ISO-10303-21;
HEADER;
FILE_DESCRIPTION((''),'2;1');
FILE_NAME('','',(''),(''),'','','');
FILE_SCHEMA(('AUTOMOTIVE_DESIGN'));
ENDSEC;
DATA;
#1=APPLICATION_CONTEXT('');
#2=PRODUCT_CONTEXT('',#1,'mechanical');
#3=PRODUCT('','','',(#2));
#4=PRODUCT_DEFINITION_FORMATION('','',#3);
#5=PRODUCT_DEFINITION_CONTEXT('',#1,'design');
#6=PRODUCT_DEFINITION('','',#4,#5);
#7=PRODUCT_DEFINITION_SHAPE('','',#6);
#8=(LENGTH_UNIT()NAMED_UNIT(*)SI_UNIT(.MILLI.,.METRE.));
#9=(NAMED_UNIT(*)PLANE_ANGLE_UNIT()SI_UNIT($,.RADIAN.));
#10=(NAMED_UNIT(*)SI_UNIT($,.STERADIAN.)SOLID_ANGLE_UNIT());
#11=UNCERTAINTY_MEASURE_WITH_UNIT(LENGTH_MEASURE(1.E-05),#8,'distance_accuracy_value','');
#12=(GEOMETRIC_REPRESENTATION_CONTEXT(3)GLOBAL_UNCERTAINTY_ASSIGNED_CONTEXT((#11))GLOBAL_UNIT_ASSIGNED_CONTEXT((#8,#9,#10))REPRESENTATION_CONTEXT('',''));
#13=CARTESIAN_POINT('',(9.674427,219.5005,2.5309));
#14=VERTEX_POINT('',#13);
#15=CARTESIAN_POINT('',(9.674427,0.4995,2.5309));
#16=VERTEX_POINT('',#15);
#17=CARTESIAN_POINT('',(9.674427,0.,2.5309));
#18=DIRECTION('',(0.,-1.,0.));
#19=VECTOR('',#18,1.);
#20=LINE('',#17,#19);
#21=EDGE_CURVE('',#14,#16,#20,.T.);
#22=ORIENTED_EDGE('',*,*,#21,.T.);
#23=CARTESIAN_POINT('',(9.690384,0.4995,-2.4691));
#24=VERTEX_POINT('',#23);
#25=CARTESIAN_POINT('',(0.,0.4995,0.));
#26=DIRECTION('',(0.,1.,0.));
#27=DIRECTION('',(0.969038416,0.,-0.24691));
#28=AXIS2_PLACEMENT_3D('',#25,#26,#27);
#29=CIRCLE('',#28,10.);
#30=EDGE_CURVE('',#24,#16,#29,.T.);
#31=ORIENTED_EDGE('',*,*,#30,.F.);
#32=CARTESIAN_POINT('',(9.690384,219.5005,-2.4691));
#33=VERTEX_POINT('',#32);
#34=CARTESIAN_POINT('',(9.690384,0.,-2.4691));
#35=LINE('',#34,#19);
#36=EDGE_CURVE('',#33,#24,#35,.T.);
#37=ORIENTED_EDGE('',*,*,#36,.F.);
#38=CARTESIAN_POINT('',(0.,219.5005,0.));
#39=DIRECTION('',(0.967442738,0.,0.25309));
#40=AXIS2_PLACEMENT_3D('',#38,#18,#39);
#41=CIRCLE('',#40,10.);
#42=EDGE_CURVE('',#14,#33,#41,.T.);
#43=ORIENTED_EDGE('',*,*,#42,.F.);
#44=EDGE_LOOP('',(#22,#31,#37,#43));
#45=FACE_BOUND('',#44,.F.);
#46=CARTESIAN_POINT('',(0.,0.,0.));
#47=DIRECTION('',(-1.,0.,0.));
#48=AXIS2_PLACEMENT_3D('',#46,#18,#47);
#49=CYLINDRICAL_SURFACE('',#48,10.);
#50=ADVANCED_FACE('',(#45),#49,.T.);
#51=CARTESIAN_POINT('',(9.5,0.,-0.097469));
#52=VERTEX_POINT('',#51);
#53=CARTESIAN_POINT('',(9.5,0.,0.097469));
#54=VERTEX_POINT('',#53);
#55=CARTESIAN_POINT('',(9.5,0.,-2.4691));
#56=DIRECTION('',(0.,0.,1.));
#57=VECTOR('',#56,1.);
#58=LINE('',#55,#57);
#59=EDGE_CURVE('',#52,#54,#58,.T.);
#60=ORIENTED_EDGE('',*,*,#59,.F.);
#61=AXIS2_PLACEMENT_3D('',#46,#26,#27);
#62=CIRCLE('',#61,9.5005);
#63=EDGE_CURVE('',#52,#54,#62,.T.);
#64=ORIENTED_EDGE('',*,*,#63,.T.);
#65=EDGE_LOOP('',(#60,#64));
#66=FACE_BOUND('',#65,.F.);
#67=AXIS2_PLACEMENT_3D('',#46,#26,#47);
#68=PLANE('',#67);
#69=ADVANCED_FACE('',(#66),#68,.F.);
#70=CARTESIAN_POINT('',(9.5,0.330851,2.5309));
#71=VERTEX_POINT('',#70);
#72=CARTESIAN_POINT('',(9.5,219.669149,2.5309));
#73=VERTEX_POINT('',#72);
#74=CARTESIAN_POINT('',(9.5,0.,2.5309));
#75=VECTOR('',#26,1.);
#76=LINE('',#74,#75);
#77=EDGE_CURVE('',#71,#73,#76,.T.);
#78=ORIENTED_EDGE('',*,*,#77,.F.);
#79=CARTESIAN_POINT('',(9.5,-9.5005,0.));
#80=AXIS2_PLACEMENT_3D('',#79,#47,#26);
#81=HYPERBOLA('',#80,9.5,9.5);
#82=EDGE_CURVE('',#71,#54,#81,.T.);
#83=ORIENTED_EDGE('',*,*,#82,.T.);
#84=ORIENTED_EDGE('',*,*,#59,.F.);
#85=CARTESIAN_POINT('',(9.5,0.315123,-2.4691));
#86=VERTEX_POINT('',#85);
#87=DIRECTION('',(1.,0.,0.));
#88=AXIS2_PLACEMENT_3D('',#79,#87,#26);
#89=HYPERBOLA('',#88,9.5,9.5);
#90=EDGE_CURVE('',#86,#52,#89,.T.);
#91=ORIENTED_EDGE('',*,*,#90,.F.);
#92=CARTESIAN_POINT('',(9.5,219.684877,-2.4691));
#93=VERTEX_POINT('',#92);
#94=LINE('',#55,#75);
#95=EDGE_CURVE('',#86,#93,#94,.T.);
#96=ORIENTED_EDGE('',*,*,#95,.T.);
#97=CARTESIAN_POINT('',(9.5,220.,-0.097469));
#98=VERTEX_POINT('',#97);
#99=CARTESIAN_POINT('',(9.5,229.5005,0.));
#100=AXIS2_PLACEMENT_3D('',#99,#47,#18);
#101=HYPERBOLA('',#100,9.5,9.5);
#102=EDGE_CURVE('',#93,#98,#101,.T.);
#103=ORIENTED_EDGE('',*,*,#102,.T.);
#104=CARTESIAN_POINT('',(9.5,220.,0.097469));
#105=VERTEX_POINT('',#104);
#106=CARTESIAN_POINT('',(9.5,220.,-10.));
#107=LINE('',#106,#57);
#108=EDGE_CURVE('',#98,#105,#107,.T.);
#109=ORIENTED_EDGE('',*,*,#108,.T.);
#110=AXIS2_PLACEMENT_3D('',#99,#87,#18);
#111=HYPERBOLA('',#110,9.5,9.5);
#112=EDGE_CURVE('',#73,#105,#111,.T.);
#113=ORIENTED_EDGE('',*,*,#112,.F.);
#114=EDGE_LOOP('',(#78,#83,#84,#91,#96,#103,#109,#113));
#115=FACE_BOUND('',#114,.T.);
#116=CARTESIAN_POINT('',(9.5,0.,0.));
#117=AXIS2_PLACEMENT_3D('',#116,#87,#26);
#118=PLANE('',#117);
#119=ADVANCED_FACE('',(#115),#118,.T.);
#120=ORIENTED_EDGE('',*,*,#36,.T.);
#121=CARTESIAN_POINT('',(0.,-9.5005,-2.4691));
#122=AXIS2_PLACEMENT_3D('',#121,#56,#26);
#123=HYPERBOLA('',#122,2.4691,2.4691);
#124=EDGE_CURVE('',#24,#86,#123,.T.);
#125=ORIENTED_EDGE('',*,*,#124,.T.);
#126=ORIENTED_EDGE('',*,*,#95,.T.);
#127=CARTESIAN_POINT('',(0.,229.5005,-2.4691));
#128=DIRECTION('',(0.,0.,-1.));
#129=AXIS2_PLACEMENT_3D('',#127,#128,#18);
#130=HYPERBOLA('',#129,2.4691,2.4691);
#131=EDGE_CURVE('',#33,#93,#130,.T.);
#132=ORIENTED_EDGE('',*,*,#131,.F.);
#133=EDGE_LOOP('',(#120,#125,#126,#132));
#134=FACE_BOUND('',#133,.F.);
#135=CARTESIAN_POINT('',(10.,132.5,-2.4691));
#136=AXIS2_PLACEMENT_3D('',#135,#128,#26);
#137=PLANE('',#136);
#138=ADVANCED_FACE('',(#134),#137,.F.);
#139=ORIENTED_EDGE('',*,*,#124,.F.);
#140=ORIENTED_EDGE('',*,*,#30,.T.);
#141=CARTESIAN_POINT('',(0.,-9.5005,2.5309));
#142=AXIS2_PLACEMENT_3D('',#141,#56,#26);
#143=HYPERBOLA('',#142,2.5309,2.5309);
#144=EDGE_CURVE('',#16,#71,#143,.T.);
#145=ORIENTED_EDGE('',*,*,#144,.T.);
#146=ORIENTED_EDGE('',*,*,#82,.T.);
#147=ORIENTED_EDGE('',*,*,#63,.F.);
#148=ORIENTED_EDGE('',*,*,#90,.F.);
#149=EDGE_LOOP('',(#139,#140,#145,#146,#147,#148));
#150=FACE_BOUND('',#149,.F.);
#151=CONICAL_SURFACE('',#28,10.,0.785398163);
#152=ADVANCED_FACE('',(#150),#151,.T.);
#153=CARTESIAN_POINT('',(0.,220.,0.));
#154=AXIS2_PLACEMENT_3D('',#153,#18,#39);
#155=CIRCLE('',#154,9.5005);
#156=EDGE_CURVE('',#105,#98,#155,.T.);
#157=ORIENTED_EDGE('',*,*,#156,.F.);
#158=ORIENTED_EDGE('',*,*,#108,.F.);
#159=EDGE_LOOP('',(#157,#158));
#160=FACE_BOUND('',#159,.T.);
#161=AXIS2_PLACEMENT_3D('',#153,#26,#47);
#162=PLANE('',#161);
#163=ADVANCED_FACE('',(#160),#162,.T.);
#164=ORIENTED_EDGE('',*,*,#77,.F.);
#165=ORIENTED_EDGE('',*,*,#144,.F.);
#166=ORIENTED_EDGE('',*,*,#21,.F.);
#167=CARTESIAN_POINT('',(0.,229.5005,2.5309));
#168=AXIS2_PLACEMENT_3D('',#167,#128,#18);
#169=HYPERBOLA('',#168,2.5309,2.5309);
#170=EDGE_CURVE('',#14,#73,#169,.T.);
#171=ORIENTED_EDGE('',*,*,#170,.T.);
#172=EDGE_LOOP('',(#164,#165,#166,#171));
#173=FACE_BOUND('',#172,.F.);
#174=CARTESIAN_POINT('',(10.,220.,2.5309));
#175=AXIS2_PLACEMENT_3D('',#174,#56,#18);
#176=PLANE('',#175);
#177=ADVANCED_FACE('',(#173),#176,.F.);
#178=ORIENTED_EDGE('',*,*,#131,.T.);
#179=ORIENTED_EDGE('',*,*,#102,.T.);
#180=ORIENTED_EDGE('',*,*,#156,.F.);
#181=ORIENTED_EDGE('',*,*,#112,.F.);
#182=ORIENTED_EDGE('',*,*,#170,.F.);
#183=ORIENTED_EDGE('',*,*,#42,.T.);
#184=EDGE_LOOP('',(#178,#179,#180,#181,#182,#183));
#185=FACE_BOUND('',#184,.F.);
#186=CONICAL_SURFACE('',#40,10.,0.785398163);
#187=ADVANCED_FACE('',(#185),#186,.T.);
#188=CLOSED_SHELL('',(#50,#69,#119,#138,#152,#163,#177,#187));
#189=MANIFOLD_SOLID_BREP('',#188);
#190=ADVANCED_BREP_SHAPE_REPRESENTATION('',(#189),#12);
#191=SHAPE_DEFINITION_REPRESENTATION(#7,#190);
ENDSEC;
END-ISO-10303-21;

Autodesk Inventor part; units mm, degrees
ref_plane "XZ Plane" through (0, 0, 0) normal (0, 1, 0) x (-1, 0, 0)
ref_plane "XY Plane" through (0, 0, 0) normal (0, 0, 1) x (1, 0, 0)
sketch "Sketch1" plane through (0, 0, 0) normal (0, 1, 0) x (-1, 0, 0)
  circle A0 centre (0, 0) radius 10
  dimension "d0" = 20
extrude "Extrusion1" add sketch "Sketch1" along normal blind 220
ref_plane "Work Plane1" through (10, 0, 0) normal (1, 0, 0) x (0, 1, 0)
sketch "Sketch2" plane through (10, 0, 0) normal (1, 0, 0) x (0, 1, 0)
  line L0 (220, -10) -> (220, 10) projected
  line L1 (0, -10) -> (0, 10) projected
  line L2 (0, 0) -> (132.5, 0)
  circle A0 centre (132.5, 0) radius 1.25
  circle A1 centre (132.5, 0) radius 0.5
  circle A2 centre (132.5, 0.0309) radius 2.5
  line L3 (0, -10) -> (0, 10) projected
  line L4 (132.5, -2.4691) -> (0, -2.4691)
  line L5 (0, -2.4691) -> (0, 2.5309)
  line L6 (0, 2.5309) -> (132.5, 2.5309)
  line L7 (132.5, 2.5309) -> (132.5, -2.4691)
  line L8 (220, -10) -> (220, 10) projected
  line L9 (132.5, -2.4691) -> (220, -2.4691)
  line L10 (220, -2.4691) -> (220, 2.5309)
  line L11 (220, 2.5309) -> (132.5, 2.5309)
  line L12 (132.5, 2.5309) -> (132.5, -2.4691)
  dimension "d21" = 5
  dimension "d3" = 132.5
  dimension "d4" = 2.5
  dimension "d5" = 1
extrude "Extrusion2" cut sketch "Sketch2" against normal blind 0.5
sketch "Sketch3" plane through (9.5, 0, 0) normal (1, 0, 0) x (0, 0, -1)
  line L0 (2.4691, 0) -> (-2.5309, 0) projected
  circle A0 centre (-0.0309, 132.5) radius 0.75
  circle A1 centre (-0.0309, 132.5) radius 1.25
  line L1 (2.4691, 220) -> (2.4691, 0) projected
  line L2 (-2.5309, 220) -> (2.4691, 220) projected
  line L3 (-2.5309, 0) -> (-2.5309, 220) projected
  point P0 (0, 0)
  dimension "d24" = 1.5
  dimension "d25" = 2.5
extrude "Extrusion4" [suppressed]
chamfer "Chamfer5" [suppressed]
chamfer "Chamfer6" distance 0.5 angle 45 2 edges at (-9.9999, 220, -0.0319) (-9.9999, 0, -0.0319)
properties part number "wał_półkola" material "Stainless Steel"
